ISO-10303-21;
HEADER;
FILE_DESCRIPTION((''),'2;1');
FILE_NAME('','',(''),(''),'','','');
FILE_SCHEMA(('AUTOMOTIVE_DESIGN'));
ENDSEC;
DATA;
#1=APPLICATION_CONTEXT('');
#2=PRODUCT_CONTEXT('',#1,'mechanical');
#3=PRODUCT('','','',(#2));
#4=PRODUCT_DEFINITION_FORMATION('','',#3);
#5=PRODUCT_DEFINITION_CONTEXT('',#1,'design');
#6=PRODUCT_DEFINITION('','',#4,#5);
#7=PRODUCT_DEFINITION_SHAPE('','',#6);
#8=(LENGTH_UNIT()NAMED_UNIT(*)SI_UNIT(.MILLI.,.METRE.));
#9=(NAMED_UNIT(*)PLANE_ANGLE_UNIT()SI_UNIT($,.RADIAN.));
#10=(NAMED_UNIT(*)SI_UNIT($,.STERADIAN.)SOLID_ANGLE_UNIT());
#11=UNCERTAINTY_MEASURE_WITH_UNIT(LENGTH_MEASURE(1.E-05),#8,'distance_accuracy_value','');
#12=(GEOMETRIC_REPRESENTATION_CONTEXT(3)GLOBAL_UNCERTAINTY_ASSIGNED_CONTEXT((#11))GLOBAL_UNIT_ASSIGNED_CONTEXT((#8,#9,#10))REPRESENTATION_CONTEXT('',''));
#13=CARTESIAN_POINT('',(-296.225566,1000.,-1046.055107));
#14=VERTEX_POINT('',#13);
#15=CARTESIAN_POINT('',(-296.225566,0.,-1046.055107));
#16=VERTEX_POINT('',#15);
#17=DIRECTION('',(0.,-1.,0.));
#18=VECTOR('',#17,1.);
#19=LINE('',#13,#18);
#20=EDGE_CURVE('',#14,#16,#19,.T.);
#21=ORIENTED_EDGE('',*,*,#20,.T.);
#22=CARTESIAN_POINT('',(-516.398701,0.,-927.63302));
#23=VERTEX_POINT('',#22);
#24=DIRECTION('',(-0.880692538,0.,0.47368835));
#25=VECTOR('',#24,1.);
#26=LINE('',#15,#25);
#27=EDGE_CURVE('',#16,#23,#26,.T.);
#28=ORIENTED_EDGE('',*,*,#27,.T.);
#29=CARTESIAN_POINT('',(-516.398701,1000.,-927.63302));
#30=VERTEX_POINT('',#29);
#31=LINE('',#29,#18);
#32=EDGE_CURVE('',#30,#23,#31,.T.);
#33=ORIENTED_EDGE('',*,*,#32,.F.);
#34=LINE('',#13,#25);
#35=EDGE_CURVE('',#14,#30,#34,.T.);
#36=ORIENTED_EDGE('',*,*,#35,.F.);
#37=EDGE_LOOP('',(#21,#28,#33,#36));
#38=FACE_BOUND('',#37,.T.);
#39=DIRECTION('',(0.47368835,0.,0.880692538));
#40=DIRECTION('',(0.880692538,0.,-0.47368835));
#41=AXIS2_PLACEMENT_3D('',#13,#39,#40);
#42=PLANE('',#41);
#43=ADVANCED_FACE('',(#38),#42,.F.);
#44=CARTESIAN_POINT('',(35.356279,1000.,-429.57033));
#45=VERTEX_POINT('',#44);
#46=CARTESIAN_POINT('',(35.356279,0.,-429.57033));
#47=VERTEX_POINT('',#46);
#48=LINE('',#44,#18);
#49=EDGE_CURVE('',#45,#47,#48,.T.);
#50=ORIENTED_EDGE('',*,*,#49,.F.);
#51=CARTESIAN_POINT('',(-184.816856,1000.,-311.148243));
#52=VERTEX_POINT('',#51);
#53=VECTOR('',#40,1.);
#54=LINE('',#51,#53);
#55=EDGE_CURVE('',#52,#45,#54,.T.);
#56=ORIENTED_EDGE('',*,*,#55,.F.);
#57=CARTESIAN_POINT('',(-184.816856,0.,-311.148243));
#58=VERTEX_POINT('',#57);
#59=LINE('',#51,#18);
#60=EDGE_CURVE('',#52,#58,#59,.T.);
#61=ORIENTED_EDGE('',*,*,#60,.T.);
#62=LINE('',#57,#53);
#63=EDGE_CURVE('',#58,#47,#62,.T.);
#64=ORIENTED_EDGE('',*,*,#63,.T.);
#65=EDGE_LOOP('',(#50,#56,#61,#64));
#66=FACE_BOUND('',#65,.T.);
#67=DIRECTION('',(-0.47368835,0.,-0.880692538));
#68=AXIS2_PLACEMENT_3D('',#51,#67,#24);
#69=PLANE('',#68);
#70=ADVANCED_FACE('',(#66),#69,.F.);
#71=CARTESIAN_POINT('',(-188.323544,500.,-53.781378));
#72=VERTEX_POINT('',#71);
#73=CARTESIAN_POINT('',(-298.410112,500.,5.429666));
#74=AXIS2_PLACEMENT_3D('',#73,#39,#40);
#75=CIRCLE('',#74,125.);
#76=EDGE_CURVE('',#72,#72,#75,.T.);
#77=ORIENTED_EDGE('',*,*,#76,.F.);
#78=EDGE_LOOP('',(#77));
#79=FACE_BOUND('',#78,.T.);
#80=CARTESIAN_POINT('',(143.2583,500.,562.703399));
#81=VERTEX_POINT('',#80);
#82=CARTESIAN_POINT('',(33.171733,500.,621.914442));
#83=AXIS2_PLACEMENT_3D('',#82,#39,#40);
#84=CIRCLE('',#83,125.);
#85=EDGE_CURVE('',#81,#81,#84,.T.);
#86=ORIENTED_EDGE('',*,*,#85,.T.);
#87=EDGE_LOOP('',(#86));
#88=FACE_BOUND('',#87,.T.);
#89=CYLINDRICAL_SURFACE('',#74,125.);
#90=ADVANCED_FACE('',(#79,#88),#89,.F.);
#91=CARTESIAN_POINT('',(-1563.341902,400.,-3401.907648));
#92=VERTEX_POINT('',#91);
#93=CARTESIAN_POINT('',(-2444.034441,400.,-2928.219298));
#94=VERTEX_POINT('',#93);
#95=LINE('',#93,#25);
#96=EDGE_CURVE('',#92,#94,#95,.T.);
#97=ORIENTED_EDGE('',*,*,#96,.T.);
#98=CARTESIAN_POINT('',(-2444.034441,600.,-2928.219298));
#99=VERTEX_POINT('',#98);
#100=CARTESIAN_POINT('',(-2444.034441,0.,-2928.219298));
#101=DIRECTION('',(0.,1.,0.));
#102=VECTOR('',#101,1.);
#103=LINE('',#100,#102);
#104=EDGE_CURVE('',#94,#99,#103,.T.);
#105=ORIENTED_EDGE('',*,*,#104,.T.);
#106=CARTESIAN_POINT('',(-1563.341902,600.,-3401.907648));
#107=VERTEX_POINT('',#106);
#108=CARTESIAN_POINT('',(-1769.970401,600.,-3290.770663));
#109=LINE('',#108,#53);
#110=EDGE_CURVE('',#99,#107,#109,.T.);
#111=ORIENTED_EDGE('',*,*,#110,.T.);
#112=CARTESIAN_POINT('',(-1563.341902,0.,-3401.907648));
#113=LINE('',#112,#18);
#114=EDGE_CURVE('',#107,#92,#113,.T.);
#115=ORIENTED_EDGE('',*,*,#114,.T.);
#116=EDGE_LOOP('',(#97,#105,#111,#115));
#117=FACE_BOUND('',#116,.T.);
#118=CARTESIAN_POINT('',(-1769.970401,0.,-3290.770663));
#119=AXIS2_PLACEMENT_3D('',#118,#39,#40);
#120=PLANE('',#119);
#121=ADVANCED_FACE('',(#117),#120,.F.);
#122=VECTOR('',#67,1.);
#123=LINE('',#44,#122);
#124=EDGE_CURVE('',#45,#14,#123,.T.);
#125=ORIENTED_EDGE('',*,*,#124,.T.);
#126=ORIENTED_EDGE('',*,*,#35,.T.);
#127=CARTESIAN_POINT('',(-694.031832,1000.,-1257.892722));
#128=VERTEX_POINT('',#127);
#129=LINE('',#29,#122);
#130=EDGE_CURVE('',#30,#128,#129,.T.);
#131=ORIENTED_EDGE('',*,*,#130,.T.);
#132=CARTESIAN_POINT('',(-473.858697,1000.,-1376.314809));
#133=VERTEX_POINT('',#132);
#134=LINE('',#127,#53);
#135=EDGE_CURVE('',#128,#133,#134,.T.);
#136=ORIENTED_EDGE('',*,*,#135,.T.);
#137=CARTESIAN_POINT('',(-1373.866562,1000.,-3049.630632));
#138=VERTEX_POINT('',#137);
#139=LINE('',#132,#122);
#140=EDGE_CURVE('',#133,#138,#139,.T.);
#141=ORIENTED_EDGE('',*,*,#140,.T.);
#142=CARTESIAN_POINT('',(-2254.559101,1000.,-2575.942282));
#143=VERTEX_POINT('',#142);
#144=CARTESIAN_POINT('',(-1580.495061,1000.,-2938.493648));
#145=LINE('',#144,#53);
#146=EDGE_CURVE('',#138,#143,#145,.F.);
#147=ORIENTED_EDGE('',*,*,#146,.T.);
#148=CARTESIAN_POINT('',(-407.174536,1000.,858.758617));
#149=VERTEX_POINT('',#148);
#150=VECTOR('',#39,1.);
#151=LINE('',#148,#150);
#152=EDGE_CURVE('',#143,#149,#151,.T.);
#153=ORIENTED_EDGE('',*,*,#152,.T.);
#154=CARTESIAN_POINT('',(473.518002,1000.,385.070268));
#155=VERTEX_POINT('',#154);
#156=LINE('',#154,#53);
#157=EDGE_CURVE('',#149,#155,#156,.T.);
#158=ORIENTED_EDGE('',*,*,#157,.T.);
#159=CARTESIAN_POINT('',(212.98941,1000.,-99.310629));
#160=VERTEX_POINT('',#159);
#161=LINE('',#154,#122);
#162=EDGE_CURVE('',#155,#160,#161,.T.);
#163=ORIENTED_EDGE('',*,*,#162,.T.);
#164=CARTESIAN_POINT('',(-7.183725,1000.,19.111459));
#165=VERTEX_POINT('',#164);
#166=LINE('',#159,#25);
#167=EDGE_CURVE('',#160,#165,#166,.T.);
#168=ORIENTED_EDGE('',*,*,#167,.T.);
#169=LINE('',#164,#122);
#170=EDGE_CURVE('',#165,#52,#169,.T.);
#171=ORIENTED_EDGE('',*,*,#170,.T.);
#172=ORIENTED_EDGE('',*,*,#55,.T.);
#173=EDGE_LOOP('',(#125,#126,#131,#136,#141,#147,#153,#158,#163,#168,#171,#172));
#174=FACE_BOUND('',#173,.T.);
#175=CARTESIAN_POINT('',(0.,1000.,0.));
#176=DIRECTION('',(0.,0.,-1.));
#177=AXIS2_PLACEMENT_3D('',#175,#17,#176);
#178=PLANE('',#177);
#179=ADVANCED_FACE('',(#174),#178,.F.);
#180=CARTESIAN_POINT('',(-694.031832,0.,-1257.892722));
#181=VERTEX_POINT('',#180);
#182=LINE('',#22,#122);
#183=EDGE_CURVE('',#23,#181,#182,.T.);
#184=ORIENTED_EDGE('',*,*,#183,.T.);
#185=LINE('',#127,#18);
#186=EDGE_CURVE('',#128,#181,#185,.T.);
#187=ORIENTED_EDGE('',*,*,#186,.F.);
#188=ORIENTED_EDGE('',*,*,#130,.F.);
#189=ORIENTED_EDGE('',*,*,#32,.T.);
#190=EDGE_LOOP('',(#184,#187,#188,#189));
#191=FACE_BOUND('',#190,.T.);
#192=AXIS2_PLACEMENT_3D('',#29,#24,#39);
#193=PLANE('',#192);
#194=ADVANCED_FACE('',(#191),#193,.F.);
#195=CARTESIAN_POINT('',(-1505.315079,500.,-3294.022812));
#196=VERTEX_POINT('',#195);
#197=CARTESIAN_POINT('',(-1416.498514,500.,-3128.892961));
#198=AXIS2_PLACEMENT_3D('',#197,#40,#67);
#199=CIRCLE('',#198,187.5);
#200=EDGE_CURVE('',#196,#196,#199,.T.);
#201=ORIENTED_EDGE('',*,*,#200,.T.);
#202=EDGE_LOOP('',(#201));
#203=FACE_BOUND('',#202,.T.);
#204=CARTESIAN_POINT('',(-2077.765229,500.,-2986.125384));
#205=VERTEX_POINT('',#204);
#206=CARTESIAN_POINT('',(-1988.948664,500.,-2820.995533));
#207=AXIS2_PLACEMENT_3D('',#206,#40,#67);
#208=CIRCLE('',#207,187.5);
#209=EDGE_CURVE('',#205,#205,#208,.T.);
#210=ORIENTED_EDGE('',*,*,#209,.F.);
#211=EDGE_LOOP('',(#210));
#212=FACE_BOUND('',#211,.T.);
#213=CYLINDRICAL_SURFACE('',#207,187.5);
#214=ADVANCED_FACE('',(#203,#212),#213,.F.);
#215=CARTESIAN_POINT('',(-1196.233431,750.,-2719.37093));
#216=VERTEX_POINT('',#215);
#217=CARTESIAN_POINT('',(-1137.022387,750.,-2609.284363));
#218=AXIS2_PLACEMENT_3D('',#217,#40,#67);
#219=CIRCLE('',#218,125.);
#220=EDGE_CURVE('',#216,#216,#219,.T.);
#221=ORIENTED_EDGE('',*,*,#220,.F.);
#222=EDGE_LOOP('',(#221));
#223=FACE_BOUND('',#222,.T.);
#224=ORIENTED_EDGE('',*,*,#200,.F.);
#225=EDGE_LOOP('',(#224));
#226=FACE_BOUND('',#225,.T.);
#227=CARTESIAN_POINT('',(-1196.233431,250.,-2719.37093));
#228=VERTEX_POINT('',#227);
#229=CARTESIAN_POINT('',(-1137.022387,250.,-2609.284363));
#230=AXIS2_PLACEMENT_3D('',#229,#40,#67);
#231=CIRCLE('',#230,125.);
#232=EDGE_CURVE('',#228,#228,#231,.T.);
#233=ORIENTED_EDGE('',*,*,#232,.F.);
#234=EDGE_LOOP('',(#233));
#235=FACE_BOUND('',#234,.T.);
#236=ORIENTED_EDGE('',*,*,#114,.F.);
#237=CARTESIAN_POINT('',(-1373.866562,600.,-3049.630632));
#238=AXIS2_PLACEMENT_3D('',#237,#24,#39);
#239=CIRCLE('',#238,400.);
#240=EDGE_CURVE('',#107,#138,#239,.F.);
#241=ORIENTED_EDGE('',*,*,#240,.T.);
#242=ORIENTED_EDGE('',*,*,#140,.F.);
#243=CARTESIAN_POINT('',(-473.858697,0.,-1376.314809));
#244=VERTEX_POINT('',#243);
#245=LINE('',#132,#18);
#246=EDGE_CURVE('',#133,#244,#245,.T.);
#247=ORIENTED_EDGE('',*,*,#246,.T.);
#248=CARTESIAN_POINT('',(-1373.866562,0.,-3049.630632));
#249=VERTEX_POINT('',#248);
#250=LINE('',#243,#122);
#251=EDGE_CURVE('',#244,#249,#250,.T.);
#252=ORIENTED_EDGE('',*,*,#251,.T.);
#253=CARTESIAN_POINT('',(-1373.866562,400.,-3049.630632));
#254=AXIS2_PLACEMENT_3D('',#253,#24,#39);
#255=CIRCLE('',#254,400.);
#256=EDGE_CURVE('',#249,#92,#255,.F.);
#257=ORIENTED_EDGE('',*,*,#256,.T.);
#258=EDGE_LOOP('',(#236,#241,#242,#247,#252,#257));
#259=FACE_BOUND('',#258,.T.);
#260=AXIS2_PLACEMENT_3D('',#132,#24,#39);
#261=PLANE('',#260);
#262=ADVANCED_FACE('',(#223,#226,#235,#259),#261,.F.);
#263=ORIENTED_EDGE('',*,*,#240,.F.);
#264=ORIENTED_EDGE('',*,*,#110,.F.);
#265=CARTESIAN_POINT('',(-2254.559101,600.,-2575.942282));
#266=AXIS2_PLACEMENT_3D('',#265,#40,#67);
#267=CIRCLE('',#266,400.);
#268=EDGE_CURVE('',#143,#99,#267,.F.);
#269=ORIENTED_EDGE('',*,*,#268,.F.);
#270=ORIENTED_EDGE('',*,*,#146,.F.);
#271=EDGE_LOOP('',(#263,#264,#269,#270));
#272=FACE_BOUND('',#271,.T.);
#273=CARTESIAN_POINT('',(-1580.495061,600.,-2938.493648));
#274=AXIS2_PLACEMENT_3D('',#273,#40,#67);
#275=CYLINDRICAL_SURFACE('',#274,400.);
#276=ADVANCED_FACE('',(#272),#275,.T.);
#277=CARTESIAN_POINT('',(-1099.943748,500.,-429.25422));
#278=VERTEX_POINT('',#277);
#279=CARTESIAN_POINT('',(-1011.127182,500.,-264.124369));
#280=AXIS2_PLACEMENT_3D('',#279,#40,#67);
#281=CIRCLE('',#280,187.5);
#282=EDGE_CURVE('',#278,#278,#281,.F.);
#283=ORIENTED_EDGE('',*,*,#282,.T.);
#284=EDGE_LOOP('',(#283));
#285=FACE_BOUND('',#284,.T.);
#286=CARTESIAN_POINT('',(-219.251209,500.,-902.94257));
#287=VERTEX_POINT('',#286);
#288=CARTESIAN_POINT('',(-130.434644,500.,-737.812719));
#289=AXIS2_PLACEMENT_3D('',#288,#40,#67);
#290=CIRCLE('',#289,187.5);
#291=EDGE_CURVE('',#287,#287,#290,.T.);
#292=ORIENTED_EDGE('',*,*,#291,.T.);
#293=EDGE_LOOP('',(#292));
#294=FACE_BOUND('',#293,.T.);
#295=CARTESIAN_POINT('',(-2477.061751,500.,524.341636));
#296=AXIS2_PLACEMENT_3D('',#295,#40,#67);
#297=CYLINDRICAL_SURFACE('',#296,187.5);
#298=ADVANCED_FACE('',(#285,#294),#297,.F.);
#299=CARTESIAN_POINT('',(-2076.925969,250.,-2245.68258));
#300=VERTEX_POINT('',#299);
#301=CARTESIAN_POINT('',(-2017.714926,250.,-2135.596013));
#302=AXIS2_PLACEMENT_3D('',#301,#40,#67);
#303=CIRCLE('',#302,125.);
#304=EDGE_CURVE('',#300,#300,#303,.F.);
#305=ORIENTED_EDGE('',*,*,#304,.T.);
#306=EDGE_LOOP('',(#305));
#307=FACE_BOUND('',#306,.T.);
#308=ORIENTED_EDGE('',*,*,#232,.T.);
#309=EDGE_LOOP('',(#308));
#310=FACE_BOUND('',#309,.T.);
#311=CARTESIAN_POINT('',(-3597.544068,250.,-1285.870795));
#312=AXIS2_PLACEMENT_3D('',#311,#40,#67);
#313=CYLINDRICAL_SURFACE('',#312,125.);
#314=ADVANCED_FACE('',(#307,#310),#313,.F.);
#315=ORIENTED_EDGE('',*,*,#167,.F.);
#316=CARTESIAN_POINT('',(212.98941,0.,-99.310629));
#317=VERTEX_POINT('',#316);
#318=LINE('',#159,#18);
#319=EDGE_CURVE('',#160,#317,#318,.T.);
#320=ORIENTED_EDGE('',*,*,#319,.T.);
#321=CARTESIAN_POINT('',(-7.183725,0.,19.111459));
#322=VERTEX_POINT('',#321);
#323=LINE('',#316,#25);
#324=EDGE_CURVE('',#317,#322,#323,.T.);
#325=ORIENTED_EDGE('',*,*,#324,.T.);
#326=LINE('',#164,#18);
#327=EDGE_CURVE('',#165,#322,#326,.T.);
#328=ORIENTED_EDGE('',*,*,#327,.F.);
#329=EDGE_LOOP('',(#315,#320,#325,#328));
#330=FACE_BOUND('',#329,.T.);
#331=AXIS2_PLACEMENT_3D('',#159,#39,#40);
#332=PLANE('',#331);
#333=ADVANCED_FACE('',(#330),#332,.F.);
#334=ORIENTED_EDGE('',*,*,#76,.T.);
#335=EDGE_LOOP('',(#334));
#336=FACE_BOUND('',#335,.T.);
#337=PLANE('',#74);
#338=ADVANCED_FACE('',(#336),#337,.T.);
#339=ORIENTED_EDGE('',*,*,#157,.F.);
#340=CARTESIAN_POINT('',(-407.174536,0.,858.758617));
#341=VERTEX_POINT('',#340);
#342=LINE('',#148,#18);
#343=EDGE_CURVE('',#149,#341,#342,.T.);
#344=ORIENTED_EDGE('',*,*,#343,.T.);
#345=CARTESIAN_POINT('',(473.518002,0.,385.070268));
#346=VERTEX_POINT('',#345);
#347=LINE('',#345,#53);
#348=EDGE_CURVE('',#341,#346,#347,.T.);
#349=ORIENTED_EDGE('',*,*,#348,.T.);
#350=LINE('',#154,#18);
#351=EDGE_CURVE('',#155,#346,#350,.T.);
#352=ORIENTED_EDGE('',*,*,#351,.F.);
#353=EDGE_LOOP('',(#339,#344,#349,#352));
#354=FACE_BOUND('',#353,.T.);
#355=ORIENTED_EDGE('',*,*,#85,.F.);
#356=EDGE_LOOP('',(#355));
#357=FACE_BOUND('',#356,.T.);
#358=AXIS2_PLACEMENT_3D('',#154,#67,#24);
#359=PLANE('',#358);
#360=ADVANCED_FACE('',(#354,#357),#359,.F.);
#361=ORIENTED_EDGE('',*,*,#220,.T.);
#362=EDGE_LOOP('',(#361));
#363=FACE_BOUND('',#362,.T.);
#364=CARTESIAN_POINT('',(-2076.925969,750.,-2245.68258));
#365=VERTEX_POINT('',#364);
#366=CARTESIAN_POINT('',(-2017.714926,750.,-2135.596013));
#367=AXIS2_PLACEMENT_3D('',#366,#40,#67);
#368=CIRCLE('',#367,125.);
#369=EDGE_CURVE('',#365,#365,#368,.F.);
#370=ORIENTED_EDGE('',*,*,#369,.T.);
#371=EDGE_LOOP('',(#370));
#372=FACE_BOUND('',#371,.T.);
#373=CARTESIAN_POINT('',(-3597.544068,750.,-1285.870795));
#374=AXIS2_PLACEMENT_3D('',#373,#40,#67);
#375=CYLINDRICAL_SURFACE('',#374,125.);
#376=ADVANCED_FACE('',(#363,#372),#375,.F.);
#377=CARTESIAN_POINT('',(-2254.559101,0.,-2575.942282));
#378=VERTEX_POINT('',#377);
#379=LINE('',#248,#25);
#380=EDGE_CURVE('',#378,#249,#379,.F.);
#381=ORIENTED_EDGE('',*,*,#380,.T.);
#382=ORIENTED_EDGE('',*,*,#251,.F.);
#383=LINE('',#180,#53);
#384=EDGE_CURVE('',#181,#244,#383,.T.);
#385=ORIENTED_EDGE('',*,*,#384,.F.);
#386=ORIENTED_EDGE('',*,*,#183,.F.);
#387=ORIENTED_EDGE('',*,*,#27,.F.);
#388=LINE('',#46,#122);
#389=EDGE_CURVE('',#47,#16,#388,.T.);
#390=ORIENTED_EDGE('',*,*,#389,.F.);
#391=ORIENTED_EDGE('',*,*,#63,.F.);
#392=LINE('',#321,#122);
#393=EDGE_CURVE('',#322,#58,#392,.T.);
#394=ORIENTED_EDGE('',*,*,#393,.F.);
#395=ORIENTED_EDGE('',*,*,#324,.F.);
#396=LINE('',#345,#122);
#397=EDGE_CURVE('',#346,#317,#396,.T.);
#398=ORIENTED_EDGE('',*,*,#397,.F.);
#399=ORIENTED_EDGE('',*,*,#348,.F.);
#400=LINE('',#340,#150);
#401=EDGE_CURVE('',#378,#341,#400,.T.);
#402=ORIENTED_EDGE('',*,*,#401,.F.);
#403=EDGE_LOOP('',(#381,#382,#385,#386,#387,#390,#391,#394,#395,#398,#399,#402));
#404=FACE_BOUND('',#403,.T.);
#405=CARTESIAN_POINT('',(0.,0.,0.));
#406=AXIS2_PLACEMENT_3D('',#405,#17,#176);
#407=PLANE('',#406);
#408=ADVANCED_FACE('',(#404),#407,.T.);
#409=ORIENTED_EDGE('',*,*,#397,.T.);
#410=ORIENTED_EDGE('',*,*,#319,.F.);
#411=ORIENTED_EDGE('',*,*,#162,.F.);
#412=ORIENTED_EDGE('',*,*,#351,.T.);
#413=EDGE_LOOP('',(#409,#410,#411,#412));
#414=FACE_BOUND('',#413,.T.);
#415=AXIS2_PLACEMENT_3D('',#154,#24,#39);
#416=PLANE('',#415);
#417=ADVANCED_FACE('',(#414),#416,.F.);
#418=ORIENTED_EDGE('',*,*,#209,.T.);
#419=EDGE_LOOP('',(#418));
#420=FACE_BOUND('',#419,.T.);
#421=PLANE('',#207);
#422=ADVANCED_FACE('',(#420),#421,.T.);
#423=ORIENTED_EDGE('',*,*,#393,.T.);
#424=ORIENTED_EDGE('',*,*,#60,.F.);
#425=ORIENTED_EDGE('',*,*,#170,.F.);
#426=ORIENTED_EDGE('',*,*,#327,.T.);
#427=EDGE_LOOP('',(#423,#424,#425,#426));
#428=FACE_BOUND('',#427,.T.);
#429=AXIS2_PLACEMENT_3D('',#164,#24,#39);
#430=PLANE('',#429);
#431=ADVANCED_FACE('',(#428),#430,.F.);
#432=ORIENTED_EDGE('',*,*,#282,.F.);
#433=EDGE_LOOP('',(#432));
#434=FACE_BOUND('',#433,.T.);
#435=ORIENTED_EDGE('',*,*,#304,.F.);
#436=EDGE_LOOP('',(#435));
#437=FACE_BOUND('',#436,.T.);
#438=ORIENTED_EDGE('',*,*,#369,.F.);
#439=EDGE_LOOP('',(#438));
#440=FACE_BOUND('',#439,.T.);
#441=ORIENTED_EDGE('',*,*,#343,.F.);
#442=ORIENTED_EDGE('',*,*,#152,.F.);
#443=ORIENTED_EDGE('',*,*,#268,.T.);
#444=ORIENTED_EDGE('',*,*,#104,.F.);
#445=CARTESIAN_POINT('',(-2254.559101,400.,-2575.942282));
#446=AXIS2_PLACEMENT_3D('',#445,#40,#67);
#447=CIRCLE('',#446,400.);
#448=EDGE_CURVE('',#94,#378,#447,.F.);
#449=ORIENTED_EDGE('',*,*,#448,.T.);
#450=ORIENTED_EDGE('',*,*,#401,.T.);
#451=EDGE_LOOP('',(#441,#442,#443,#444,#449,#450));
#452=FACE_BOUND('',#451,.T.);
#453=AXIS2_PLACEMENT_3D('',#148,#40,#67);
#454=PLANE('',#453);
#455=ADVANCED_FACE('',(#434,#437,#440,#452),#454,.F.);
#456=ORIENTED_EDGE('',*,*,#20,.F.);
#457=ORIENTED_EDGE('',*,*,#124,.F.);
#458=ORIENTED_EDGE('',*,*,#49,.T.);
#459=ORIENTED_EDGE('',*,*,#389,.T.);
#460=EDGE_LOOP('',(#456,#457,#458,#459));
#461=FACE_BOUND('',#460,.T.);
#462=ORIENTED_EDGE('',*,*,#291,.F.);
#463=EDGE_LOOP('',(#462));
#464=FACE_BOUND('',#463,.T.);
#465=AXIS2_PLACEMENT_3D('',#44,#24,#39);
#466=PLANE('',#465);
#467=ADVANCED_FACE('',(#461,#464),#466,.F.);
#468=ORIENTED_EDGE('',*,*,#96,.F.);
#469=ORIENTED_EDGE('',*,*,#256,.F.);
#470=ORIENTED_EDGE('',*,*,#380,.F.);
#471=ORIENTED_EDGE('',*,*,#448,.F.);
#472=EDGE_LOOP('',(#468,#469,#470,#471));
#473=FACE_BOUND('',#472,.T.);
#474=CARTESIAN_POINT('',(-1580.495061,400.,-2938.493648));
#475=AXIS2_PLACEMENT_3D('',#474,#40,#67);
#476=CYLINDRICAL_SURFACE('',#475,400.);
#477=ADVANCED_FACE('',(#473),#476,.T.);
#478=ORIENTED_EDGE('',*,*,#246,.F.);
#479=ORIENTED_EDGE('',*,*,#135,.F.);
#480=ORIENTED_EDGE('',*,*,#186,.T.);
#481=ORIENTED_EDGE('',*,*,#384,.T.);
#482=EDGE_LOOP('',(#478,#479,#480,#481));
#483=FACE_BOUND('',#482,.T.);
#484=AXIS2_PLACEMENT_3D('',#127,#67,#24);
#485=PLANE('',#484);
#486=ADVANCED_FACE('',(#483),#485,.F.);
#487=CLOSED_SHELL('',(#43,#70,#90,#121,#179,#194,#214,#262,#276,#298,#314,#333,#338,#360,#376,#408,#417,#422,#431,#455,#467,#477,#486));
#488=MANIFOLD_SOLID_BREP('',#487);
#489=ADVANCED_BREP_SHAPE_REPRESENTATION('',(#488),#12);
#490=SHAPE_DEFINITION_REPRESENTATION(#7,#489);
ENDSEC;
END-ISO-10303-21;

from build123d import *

# Parameters (mm, degrees)
BOSS_EXTRUDE1_DEPTH = 1000
CUT_EXTRUDE2_REACH  = 4048.723
SKETCH2_R           = 187.5
SKETCH5_W           = 1000
SKETCH5_H           = 1000
BOSS_EXTRUDE2_DEPTH = 310
FILLET1_R           = 400
SKETCH6_R           = 187.5
CUT_EXTRUDE3_DEPTH  = 650
CUT_EXTRUDE4_REACH  = 4344.256
SKETCH7_R           = 125
SKETCH8_R           = 125
CUT_EXTRUDE5_DEPTH  = 700


with BuildPart() as part:
    # Sketch1 → Boss-Extrude1 (new body)
    with BuildSketch(Plane(origin=(0, 0, 0), x_dir=(1, 0, 0), z_dir=(0, 1, 0))):
        Polygon((473.518002347, -385.070267513), (212.989409896, 99.310628596), (-7.183724699, -19.111458882), (-184.816855916, 311.148243011), (35.356278679, 429.570330489), (-296.225566259, 1046.055107355), (-516.398700854, 927.633019877), (-694.031832071, 1257.892721769), (-473.858697476, 1376.314809247), (-1416.4985138, 3128.892960623), (-2297.19105218, 2655.204610711), (-407.174536033, -858.758617424), align=None)
    extrude(amount=BOSS_EXTRUDE1_DEPTH)

    # Sketch2 → Cut-Extrude2 (cut, up to next)
    with BuildSketch(Plane(origin=(206.628498898, 0, -111.13698416), x_dir=(-0.47368834991159353, 0, -0.8806925383799001), z_dir=(0.8806925383799001, 0, -0.47368834991159353)), mode=Mode.PRIVATE) as cut_extrude2_sk1:
        with Locations((711.571527464, 500)):
            Circle(SKETCH2_R)
    cut_extrude2_tool1 = extrude(cut_extrude2_sk1.sketch, amount=-CUT_EXTRUDE2_REACH, mode=Mode.PRIVATE) & part.part
    add(cut_extrude2_tool1.solids().sort_by_distance((-130.434644, 500, -737.812719))[0], mode=Mode.SUBTRACT)

    # Sketch5 → Boss-Extrude2 (add)
    with BuildSketch(Plane(origin=(-1623.127012699, 0, -3017.755976463), x_dir=(-0.8806925383799005, 0, 0.4736883499115927), z_dir=(-0.4736883499115927, 0, -0.8806925383799005))):
        with Locations((265.379528163, 500)):
            Rectangle(SKETCH5_W, SKETCH5_H)
    extrude(amount=BOSS_EXTRUDE2_DEPTH)

    # Fillet1
    fillet1_edges = [part.edges().sort_by_distance(p)[0] for p in [
        (-2003.688171463, 0, -3165.063472565),
        (-2003.688171463, 1000, -3165.063472565),
    ]]
    fillet(fillet1_edges, radius=FILLET1_R)

    # Sketch6 → Cut-Extrude3 (cut)
    with BuildSketch(Plane(origin=(206.628498898, 0, -111.13698416), x_dir=(-0.4736883499115939, 0, -0.8806925383798999), z_dir=(0.8806925383798999, 0, -0.4736883499115939))):
        with Locations((3426.571527464, 500)):
            Circle(SKETCH6_R)
    extrude(amount=-CUT_EXTRUDE3_DEPTH, mode=Mode.SUBTRACT)

    # Sketch7 → Cut-Extrude4 (cut, up to next)
    with BuildSketch(Plane(origin=(206.628498898, 0, -111.13698416), x_dir=(-0.4736883499115939, 0, -0.8806925383798999), z_dir=(0.8806925383798999, 0, -0.4736883499115939)), mode=Mode.PRIVATE) as cut_extrude4_sk1:
        with Locations((2836.571527464, 750)):
            Circle(SKETCH7_R)
    cut_extrude4_tool1 = extrude(cut_extrude4_sk1.sketch, amount=-CUT_EXTRUDE4_REACH, mode=Mode.PRIVATE) & part.part
    # Sketch7 → Cut-Extrude4 (cut, up to next)
    with BuildSketch(Plane(origin=(206.628498898, 0, -111.13698416), x_dir=(-0.4736883499115939, 0, -0.8806925383798999), z_dir=(0.8806925383798999, 0, -0.4736883499115939)), mode=Mode.PRIVATE) as cut_extrude4_sk2:
        with Locations((2836.571527464, 250)):
            Circle(SKETCH7_R)
    cut_extrude4_tool2 = extrude(cut_extrude4_sk2.sketch, amount=-CUT_EXTRUDE4_REACH, mode=Mode.PRIVATE) & part.part
    add(cut_extrude4_tool1.solids().sort_by_distance((-1137.022387, 750, -2609.284363))[0], mode=Mode.SUBTRACT)
    add(cut_extrude4_tool2.solids().sort_by_distance((-1137.022387, 250, -2609.284363))[0], mode=Mode.SUBTRACT)

    # Sketch8 → Cut-Extrude5 (cut)
    with BuildSketch(Plane(origin=(266.889503449, 0, 496.207251673), x_dir=(0.8806925383799001, 0, -0.4736883499115936), z_dir=(0.4736883499115936, 0, 0.8806925383799001))):
        with Locations((-265.379528163, 500)):
            Circle(SKETCH8_R)
    extrude(amount=-CUT_EXTRUDE5_DEPTH, mode=Mode.SUBTRACT)


solid = part.part
